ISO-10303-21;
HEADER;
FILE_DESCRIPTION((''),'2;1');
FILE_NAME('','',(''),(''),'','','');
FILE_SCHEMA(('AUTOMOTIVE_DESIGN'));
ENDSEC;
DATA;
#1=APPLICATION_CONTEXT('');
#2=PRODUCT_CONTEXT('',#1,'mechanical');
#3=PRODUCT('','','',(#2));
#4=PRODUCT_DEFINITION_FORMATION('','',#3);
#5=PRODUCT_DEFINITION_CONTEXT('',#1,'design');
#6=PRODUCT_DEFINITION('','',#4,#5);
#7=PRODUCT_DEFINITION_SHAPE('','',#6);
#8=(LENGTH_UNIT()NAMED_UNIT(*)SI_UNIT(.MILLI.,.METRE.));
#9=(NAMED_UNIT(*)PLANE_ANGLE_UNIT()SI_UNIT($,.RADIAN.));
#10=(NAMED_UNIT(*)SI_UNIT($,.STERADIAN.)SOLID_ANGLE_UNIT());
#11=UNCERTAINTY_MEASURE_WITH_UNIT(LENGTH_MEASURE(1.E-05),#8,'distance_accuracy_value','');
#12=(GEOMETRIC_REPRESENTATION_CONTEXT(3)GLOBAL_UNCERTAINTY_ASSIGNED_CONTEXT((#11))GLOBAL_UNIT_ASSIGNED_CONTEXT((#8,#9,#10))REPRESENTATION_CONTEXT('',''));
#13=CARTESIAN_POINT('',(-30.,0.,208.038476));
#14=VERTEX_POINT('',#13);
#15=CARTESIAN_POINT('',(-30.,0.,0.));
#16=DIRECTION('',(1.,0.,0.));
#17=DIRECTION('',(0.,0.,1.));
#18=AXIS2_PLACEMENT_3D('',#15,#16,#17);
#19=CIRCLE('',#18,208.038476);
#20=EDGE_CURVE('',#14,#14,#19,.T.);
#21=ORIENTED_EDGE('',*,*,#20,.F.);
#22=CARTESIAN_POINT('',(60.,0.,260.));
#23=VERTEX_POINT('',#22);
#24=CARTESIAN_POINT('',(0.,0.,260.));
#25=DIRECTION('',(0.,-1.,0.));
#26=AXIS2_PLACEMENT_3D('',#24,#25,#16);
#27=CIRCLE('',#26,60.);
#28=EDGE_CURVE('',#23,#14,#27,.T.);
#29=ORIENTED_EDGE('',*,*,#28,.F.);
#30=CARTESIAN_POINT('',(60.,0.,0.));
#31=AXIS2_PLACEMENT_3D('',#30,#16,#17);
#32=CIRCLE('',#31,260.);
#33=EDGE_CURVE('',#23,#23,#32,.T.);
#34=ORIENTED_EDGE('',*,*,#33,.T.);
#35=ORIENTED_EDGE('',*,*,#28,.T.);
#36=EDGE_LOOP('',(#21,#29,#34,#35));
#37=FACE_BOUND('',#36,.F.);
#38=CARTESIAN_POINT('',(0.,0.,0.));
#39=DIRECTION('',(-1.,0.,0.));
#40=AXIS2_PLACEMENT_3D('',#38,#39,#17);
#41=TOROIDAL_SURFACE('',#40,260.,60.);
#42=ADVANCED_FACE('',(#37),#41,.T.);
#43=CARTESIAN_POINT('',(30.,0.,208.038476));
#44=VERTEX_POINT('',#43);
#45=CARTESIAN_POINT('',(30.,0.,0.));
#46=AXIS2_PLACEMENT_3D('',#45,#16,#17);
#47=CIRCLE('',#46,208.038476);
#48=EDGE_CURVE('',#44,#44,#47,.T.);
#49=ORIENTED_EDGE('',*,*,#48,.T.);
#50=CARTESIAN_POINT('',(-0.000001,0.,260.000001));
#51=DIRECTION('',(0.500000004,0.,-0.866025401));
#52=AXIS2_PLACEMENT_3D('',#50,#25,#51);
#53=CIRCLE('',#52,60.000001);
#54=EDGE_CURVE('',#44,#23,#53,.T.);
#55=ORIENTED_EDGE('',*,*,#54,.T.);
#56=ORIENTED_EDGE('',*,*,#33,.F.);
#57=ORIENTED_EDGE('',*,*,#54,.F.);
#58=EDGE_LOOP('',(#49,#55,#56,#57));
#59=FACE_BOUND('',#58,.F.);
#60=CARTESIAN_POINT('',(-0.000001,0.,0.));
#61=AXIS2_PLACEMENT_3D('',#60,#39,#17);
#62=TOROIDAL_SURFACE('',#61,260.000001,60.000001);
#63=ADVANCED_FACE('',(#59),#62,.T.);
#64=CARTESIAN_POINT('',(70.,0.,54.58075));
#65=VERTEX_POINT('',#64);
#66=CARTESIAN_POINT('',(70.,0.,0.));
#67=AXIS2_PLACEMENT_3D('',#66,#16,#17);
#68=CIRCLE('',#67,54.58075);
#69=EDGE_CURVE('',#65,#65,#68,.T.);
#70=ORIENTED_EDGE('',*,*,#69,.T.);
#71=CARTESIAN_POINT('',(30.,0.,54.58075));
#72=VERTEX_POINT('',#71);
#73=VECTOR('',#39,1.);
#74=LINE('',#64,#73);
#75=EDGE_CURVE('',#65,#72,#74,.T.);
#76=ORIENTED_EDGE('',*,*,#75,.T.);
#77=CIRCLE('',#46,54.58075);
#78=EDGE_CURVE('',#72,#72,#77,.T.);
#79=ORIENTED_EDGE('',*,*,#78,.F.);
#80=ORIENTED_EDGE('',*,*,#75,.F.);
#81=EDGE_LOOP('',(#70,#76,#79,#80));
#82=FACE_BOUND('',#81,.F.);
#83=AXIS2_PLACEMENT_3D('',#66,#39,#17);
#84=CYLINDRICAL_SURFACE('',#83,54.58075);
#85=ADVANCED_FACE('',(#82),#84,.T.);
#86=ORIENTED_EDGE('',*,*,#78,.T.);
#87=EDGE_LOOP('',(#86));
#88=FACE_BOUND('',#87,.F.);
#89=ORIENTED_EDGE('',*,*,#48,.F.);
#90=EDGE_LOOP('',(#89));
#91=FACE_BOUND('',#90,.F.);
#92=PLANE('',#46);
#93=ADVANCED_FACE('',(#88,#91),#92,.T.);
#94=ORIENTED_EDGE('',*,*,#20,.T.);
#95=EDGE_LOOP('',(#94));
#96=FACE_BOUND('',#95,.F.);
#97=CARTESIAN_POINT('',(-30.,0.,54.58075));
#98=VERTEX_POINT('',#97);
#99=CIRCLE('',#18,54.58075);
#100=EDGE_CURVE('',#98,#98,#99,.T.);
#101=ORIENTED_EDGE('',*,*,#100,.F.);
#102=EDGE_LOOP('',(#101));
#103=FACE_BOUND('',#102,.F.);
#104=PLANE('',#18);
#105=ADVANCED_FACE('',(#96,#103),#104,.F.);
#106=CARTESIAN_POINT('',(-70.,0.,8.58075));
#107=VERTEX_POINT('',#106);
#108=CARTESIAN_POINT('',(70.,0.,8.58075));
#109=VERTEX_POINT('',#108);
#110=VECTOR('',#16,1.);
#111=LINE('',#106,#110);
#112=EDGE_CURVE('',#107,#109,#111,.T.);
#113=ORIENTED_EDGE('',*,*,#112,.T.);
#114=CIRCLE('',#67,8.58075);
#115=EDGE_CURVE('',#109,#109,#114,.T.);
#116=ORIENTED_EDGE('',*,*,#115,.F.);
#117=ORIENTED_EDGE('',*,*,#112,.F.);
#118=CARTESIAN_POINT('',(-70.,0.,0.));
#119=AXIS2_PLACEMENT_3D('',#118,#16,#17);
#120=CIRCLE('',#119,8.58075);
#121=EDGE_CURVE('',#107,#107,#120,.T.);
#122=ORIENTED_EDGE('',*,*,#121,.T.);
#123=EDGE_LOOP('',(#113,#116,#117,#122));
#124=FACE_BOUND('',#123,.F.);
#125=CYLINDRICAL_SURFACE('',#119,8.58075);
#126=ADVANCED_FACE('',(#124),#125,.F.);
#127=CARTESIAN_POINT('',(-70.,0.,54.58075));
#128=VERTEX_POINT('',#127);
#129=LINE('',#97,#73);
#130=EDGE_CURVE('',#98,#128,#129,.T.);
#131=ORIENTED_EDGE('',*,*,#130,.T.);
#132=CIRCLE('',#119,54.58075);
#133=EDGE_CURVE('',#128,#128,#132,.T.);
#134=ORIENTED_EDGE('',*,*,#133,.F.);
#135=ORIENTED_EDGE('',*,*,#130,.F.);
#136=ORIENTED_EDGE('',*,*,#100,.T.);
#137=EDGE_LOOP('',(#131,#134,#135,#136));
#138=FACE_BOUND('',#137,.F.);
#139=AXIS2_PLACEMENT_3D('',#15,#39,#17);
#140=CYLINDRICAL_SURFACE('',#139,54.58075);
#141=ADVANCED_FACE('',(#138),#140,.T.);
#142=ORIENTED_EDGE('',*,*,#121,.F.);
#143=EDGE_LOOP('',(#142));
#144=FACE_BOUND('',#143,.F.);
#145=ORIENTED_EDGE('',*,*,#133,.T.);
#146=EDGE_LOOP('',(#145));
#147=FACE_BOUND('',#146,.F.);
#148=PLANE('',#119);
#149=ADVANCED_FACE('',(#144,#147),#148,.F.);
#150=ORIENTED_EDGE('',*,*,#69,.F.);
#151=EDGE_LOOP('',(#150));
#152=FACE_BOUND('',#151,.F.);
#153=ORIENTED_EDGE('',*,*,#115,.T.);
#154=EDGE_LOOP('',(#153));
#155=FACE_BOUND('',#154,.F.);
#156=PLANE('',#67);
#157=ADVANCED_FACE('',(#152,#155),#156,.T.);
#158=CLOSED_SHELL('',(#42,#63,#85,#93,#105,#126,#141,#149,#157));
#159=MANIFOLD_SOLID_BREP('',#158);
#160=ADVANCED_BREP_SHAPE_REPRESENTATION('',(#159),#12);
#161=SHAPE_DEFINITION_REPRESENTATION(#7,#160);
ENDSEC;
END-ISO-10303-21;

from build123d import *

# Parameters (mm, degrees)
F3_DEPTH = 25


with BuildPart() as f1:
    # F0 (on Front) → F1 (revolve)
    with BuildSketch(Plane.XZ):
        with BuildLine():
            Line((-70, 54.58075), (-70, 8.58075))
            Line((-70, 8.58075), (70, 8.58075))
            Line((70, 8.58075), (70, 54.58075))
            Line((70, 54.58075), (30, 54.58075))
            Line((30, 54.58075), (30, 208.038476))
            ThreePointArc((30, 208.038476), (0, 200), (-30, 208.038476))
            Line((-30, 208.038476), (-30, 54.58075))
            Line((-30, 54.58075), (-70, 54.58075))
        make_face()
        with BuildLine():
            ThreePointArc((60, 260), (-30, 311.961524), (-30, 208.038476))
            ThreePointArc((-30, 208.038476), (0, 200), (30, 208.038476))
            ThreePointArc((30, 208.038476), (51.961524, 230), (60, 260))
        make_face()
    revolve(axis=Axis((0, 0, 0), (1, 0, 0)))

    # F2 (on face) → F3 (join)
    with BuildSketch(Plane(origin=(-30, 0, 0), x_dir=(0, -1, 0), z_dir=(-1, 0, 0))):
        with BuildLine():
            ThreePointArc((-55.462766, 188.029161), (-61.774314, 182.493227), (-61.643278, 174.098882))
            Line((-61.643278, 174.098882), (-12.55207, 72.159939))
            ThreePointArc((-12.55207, 72.159939), (-8.665392, 67.910717), (-3.079813, 66.509481))
            ThreePointArc((-3.079813, 66.509481), (0, 66.58075), (3.079813, 66.509481))
            ThreePointArc((3.079813, 66.509481), (8.665392, 67.910717), (12.55207, 72.159939))
            Line((12.55207, 72.159939), (61.643278, 174.098882))
            ThreePointArc((61.643278, 174.098882), (61.774314, 182.493227), (55.462766, 188.029161))
            ThreePointArc((55.462766, 188.029161), (0, 196.038476), (-55.462766, 188.029161))
        make_face()
    extrude(amount=-F3_DEPTH)


solid = f1.part
